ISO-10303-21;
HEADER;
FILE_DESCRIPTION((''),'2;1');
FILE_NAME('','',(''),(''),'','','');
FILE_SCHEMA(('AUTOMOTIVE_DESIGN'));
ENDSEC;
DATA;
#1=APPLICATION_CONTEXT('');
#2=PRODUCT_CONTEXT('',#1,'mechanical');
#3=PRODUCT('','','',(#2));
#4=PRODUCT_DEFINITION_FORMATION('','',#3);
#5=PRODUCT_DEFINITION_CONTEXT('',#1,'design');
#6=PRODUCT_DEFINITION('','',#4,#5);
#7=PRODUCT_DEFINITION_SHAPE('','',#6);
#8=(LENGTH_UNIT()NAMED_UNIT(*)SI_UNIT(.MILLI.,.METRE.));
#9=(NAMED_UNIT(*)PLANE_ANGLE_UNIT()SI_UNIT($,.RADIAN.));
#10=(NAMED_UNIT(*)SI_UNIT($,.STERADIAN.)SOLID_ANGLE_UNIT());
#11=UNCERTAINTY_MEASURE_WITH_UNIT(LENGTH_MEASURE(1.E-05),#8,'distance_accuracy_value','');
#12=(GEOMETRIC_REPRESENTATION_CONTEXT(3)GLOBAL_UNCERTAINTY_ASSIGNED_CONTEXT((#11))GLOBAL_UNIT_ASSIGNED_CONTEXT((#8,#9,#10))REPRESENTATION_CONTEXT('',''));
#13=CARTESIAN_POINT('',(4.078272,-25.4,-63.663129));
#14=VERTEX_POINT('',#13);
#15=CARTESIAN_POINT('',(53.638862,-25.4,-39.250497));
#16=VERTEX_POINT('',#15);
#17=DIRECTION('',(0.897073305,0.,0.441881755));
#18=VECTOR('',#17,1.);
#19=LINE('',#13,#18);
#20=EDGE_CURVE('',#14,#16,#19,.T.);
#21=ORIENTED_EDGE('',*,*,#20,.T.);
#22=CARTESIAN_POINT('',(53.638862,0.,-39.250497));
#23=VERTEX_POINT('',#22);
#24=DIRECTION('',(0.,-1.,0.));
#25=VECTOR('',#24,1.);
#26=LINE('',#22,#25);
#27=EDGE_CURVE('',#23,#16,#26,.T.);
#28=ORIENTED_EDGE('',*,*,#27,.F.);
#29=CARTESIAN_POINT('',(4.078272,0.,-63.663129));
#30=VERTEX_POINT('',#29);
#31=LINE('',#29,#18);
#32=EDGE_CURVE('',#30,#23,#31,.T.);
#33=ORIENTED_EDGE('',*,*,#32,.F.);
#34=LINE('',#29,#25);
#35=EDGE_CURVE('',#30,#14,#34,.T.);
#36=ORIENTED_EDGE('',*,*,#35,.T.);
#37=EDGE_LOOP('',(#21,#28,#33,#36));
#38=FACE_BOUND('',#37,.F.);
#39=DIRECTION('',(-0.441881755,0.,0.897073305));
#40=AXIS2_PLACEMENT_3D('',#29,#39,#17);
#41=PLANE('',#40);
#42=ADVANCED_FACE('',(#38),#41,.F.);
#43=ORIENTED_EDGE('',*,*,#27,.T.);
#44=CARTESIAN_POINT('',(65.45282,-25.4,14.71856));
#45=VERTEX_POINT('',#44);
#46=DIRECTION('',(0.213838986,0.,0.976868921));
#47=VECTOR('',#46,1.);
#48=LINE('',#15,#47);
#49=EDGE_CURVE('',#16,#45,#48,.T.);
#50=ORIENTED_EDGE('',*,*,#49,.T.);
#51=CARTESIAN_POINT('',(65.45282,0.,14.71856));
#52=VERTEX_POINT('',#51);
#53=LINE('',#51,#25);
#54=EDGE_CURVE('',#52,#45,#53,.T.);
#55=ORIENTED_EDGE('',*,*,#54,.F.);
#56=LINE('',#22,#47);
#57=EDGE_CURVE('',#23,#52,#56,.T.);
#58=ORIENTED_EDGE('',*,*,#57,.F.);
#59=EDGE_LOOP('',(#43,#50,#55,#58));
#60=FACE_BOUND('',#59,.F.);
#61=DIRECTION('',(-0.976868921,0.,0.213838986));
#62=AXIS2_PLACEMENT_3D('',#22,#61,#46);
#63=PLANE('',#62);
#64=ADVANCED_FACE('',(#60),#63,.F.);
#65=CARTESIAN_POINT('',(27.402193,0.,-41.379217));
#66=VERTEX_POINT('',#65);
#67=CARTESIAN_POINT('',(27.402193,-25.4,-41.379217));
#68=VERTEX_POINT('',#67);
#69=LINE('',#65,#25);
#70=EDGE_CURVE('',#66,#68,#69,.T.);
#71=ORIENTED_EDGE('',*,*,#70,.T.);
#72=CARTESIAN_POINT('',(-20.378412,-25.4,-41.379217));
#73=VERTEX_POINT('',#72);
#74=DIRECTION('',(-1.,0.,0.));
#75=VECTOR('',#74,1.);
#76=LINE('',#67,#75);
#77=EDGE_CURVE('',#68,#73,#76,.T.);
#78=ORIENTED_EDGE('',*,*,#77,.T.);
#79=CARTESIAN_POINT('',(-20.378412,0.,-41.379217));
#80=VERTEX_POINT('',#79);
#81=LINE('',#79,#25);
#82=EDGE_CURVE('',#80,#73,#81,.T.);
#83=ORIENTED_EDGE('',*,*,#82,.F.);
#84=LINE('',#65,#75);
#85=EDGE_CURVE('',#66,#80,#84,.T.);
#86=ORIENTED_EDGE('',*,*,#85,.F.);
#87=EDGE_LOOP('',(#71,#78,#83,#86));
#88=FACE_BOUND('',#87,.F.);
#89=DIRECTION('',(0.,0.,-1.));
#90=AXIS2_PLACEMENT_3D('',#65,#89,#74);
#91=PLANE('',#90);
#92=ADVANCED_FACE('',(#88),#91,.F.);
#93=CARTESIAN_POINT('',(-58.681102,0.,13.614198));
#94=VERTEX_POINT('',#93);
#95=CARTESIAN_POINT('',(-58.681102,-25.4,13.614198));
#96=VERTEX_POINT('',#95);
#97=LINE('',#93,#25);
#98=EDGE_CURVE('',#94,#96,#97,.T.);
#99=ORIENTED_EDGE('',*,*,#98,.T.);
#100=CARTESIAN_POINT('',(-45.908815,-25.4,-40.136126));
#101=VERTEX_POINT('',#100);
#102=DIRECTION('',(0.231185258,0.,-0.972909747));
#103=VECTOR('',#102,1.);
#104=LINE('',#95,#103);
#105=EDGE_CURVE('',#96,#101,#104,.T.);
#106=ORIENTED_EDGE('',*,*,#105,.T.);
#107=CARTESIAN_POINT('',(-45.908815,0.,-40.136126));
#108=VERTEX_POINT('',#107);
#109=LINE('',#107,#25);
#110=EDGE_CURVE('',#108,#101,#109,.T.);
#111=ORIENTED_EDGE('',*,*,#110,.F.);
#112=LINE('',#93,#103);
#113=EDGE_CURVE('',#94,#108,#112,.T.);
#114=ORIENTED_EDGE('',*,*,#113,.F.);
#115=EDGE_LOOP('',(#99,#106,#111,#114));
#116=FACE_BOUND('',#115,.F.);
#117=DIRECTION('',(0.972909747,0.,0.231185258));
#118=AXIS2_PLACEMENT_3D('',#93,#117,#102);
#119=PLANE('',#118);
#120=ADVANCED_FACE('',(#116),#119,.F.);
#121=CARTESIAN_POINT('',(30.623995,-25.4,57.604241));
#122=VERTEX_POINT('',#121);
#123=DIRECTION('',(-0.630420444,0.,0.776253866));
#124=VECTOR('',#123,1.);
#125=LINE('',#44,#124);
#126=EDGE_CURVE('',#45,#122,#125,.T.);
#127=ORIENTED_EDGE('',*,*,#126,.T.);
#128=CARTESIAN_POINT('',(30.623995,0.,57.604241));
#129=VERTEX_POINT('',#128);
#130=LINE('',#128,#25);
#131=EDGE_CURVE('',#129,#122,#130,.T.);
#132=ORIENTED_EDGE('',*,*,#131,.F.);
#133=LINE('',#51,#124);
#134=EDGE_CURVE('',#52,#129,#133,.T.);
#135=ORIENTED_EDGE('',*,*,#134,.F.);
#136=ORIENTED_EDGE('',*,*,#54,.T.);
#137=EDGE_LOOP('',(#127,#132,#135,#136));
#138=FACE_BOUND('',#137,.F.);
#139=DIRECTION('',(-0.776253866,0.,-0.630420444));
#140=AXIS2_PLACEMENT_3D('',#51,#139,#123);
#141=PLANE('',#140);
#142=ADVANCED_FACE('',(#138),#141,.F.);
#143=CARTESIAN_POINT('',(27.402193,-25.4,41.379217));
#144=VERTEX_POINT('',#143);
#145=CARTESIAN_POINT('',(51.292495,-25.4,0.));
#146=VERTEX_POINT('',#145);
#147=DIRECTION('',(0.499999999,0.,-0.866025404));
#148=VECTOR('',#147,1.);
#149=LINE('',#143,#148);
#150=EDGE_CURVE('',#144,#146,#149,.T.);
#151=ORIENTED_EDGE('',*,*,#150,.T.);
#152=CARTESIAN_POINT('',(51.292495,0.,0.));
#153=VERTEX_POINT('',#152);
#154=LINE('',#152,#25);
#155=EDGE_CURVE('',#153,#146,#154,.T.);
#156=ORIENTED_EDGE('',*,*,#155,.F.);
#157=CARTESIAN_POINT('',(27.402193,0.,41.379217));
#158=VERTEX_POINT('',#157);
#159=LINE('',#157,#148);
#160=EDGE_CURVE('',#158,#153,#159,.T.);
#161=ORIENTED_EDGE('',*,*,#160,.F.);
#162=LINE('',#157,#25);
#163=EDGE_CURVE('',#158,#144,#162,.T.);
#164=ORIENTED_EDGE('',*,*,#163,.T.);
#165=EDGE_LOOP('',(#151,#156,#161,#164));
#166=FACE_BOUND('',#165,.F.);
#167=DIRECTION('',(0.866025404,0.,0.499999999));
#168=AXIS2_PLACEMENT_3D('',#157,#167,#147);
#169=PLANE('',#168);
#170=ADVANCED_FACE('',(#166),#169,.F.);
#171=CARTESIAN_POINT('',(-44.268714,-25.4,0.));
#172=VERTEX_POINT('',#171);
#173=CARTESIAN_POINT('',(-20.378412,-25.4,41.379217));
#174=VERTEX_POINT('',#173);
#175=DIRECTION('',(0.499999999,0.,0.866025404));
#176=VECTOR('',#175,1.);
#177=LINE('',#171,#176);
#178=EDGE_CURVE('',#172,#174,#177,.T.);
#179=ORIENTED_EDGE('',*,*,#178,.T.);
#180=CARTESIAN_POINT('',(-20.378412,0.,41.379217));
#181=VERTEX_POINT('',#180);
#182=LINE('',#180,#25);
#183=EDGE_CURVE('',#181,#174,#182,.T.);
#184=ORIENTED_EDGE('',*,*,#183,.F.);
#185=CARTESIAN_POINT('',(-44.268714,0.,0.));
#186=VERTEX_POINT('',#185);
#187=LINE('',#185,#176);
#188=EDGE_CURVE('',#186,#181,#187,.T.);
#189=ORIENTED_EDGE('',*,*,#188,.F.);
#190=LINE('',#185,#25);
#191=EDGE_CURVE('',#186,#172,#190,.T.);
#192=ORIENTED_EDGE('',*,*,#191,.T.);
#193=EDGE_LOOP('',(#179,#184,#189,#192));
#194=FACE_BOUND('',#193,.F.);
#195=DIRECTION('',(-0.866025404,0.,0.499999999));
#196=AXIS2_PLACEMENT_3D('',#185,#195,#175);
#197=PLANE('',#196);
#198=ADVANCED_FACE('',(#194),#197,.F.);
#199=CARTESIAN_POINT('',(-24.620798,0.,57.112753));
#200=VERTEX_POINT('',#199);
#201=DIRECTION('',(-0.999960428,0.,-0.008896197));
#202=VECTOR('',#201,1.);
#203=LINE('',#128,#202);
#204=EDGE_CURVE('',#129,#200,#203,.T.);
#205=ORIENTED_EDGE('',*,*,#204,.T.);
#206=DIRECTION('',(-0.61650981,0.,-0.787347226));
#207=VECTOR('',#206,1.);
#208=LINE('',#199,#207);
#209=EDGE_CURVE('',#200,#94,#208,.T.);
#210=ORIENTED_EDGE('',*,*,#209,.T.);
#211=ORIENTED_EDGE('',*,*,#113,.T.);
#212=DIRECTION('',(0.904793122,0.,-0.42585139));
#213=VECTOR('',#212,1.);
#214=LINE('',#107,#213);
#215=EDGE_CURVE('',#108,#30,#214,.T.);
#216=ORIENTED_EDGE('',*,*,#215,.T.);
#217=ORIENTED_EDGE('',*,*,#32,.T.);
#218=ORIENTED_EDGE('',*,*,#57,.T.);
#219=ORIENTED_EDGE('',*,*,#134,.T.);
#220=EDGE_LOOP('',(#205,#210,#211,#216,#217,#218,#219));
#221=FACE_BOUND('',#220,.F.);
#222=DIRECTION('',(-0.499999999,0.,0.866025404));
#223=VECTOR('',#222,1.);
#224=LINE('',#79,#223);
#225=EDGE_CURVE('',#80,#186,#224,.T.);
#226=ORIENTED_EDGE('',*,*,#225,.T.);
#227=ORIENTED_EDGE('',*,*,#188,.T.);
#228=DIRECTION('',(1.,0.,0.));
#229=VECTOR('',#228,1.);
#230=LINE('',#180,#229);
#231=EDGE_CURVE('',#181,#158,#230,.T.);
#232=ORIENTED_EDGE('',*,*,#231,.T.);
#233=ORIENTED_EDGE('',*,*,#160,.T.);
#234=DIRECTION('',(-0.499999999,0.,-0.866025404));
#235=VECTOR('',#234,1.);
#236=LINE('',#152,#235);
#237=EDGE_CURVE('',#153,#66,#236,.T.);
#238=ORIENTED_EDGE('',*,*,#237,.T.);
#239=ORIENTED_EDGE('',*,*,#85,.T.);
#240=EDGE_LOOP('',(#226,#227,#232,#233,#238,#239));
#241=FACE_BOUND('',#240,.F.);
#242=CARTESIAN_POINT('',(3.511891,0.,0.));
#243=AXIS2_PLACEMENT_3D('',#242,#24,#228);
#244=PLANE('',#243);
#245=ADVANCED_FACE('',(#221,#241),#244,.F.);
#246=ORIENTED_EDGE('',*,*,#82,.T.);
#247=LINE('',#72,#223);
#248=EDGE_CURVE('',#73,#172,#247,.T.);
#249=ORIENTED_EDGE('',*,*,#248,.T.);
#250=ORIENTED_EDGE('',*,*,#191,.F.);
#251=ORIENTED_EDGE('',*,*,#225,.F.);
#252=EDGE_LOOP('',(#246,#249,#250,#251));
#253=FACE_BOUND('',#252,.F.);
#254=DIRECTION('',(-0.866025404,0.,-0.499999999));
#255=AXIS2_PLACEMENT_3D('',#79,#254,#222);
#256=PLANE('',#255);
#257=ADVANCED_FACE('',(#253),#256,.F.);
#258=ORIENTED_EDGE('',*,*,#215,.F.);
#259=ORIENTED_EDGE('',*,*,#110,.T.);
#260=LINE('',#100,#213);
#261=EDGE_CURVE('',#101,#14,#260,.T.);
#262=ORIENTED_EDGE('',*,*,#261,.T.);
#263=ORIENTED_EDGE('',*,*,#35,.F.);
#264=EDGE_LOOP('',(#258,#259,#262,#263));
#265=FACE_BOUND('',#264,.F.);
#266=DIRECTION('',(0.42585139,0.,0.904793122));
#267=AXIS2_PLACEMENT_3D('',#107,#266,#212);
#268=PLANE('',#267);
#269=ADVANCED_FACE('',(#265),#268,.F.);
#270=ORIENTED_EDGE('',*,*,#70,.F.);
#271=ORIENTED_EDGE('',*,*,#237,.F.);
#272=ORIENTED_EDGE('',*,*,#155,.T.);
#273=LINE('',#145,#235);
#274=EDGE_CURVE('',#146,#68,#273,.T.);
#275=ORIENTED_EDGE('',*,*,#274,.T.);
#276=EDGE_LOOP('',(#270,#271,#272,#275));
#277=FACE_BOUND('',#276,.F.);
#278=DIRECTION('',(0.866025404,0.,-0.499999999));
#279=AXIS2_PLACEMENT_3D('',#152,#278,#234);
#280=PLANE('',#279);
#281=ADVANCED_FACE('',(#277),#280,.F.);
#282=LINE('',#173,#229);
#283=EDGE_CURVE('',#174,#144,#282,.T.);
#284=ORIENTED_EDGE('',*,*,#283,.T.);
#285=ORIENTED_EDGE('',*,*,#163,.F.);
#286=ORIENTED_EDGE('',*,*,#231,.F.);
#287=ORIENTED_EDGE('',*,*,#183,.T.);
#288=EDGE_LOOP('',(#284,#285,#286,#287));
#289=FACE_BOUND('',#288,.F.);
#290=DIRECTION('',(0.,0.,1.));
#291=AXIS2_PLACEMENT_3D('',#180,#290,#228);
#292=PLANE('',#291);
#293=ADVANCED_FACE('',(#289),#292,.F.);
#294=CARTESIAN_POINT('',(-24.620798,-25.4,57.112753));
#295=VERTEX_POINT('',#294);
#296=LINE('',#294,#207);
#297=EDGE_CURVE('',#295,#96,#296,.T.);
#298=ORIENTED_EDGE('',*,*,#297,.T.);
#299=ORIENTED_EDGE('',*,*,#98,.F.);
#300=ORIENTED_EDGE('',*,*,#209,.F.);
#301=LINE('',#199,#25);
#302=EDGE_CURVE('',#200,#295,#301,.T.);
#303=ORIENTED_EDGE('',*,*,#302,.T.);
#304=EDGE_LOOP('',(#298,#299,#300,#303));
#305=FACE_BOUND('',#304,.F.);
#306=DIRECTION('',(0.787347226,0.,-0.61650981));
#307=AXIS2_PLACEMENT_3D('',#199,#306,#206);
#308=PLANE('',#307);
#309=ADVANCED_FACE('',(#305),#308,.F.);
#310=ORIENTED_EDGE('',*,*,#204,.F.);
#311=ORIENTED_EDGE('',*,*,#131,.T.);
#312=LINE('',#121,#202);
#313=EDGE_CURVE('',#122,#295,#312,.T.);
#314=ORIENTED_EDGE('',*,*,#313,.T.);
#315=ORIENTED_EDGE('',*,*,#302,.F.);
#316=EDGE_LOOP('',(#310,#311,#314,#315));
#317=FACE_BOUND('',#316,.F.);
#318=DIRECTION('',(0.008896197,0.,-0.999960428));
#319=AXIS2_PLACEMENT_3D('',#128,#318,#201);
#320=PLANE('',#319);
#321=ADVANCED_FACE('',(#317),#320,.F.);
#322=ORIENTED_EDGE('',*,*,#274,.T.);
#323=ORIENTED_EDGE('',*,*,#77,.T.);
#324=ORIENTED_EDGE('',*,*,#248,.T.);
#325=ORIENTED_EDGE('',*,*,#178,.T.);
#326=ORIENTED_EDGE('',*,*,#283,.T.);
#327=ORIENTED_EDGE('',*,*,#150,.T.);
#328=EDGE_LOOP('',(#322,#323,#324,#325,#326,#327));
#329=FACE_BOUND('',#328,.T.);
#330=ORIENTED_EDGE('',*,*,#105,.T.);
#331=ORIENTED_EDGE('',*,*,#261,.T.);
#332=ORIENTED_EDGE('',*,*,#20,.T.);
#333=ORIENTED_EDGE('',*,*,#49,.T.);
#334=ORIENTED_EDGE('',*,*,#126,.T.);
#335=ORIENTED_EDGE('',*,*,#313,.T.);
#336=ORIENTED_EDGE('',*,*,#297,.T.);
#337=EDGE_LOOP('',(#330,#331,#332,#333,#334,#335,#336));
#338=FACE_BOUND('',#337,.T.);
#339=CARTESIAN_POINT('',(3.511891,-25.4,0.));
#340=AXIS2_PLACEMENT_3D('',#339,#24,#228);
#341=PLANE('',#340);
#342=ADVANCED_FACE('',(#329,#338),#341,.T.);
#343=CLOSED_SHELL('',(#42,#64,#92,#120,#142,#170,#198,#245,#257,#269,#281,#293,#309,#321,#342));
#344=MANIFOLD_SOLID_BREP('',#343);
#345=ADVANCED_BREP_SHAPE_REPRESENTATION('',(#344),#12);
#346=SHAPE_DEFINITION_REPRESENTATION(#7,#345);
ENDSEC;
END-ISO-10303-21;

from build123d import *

# Parameters (mm, degrees)
F1_DEPTH = 25.4


with BuildPart() as f1:
    # F0 (on Front) → F1 (new body)
    with BuildSketch(Plane.XZ):
        Polygon((4.078272, -63.663129), (53.638862, -39.250497), (65.45282, 14.71856), (30.623995, 57.604241), (-24.620798, 57.112753), (-58.681102, 13.614198), (-45.908815, -40.136126), align=None)
        Polygon((51.292495, 0), (27.402193, -41.379217), (-20.378412, -41.379217), (-44.268714, 0), (-20.378412, 41.379217), (27.402193, 41.379217), align=None, mode=Mode.SUBTRACT)
    extrude(amount=F1_DEPTH)


solid = f1.part
